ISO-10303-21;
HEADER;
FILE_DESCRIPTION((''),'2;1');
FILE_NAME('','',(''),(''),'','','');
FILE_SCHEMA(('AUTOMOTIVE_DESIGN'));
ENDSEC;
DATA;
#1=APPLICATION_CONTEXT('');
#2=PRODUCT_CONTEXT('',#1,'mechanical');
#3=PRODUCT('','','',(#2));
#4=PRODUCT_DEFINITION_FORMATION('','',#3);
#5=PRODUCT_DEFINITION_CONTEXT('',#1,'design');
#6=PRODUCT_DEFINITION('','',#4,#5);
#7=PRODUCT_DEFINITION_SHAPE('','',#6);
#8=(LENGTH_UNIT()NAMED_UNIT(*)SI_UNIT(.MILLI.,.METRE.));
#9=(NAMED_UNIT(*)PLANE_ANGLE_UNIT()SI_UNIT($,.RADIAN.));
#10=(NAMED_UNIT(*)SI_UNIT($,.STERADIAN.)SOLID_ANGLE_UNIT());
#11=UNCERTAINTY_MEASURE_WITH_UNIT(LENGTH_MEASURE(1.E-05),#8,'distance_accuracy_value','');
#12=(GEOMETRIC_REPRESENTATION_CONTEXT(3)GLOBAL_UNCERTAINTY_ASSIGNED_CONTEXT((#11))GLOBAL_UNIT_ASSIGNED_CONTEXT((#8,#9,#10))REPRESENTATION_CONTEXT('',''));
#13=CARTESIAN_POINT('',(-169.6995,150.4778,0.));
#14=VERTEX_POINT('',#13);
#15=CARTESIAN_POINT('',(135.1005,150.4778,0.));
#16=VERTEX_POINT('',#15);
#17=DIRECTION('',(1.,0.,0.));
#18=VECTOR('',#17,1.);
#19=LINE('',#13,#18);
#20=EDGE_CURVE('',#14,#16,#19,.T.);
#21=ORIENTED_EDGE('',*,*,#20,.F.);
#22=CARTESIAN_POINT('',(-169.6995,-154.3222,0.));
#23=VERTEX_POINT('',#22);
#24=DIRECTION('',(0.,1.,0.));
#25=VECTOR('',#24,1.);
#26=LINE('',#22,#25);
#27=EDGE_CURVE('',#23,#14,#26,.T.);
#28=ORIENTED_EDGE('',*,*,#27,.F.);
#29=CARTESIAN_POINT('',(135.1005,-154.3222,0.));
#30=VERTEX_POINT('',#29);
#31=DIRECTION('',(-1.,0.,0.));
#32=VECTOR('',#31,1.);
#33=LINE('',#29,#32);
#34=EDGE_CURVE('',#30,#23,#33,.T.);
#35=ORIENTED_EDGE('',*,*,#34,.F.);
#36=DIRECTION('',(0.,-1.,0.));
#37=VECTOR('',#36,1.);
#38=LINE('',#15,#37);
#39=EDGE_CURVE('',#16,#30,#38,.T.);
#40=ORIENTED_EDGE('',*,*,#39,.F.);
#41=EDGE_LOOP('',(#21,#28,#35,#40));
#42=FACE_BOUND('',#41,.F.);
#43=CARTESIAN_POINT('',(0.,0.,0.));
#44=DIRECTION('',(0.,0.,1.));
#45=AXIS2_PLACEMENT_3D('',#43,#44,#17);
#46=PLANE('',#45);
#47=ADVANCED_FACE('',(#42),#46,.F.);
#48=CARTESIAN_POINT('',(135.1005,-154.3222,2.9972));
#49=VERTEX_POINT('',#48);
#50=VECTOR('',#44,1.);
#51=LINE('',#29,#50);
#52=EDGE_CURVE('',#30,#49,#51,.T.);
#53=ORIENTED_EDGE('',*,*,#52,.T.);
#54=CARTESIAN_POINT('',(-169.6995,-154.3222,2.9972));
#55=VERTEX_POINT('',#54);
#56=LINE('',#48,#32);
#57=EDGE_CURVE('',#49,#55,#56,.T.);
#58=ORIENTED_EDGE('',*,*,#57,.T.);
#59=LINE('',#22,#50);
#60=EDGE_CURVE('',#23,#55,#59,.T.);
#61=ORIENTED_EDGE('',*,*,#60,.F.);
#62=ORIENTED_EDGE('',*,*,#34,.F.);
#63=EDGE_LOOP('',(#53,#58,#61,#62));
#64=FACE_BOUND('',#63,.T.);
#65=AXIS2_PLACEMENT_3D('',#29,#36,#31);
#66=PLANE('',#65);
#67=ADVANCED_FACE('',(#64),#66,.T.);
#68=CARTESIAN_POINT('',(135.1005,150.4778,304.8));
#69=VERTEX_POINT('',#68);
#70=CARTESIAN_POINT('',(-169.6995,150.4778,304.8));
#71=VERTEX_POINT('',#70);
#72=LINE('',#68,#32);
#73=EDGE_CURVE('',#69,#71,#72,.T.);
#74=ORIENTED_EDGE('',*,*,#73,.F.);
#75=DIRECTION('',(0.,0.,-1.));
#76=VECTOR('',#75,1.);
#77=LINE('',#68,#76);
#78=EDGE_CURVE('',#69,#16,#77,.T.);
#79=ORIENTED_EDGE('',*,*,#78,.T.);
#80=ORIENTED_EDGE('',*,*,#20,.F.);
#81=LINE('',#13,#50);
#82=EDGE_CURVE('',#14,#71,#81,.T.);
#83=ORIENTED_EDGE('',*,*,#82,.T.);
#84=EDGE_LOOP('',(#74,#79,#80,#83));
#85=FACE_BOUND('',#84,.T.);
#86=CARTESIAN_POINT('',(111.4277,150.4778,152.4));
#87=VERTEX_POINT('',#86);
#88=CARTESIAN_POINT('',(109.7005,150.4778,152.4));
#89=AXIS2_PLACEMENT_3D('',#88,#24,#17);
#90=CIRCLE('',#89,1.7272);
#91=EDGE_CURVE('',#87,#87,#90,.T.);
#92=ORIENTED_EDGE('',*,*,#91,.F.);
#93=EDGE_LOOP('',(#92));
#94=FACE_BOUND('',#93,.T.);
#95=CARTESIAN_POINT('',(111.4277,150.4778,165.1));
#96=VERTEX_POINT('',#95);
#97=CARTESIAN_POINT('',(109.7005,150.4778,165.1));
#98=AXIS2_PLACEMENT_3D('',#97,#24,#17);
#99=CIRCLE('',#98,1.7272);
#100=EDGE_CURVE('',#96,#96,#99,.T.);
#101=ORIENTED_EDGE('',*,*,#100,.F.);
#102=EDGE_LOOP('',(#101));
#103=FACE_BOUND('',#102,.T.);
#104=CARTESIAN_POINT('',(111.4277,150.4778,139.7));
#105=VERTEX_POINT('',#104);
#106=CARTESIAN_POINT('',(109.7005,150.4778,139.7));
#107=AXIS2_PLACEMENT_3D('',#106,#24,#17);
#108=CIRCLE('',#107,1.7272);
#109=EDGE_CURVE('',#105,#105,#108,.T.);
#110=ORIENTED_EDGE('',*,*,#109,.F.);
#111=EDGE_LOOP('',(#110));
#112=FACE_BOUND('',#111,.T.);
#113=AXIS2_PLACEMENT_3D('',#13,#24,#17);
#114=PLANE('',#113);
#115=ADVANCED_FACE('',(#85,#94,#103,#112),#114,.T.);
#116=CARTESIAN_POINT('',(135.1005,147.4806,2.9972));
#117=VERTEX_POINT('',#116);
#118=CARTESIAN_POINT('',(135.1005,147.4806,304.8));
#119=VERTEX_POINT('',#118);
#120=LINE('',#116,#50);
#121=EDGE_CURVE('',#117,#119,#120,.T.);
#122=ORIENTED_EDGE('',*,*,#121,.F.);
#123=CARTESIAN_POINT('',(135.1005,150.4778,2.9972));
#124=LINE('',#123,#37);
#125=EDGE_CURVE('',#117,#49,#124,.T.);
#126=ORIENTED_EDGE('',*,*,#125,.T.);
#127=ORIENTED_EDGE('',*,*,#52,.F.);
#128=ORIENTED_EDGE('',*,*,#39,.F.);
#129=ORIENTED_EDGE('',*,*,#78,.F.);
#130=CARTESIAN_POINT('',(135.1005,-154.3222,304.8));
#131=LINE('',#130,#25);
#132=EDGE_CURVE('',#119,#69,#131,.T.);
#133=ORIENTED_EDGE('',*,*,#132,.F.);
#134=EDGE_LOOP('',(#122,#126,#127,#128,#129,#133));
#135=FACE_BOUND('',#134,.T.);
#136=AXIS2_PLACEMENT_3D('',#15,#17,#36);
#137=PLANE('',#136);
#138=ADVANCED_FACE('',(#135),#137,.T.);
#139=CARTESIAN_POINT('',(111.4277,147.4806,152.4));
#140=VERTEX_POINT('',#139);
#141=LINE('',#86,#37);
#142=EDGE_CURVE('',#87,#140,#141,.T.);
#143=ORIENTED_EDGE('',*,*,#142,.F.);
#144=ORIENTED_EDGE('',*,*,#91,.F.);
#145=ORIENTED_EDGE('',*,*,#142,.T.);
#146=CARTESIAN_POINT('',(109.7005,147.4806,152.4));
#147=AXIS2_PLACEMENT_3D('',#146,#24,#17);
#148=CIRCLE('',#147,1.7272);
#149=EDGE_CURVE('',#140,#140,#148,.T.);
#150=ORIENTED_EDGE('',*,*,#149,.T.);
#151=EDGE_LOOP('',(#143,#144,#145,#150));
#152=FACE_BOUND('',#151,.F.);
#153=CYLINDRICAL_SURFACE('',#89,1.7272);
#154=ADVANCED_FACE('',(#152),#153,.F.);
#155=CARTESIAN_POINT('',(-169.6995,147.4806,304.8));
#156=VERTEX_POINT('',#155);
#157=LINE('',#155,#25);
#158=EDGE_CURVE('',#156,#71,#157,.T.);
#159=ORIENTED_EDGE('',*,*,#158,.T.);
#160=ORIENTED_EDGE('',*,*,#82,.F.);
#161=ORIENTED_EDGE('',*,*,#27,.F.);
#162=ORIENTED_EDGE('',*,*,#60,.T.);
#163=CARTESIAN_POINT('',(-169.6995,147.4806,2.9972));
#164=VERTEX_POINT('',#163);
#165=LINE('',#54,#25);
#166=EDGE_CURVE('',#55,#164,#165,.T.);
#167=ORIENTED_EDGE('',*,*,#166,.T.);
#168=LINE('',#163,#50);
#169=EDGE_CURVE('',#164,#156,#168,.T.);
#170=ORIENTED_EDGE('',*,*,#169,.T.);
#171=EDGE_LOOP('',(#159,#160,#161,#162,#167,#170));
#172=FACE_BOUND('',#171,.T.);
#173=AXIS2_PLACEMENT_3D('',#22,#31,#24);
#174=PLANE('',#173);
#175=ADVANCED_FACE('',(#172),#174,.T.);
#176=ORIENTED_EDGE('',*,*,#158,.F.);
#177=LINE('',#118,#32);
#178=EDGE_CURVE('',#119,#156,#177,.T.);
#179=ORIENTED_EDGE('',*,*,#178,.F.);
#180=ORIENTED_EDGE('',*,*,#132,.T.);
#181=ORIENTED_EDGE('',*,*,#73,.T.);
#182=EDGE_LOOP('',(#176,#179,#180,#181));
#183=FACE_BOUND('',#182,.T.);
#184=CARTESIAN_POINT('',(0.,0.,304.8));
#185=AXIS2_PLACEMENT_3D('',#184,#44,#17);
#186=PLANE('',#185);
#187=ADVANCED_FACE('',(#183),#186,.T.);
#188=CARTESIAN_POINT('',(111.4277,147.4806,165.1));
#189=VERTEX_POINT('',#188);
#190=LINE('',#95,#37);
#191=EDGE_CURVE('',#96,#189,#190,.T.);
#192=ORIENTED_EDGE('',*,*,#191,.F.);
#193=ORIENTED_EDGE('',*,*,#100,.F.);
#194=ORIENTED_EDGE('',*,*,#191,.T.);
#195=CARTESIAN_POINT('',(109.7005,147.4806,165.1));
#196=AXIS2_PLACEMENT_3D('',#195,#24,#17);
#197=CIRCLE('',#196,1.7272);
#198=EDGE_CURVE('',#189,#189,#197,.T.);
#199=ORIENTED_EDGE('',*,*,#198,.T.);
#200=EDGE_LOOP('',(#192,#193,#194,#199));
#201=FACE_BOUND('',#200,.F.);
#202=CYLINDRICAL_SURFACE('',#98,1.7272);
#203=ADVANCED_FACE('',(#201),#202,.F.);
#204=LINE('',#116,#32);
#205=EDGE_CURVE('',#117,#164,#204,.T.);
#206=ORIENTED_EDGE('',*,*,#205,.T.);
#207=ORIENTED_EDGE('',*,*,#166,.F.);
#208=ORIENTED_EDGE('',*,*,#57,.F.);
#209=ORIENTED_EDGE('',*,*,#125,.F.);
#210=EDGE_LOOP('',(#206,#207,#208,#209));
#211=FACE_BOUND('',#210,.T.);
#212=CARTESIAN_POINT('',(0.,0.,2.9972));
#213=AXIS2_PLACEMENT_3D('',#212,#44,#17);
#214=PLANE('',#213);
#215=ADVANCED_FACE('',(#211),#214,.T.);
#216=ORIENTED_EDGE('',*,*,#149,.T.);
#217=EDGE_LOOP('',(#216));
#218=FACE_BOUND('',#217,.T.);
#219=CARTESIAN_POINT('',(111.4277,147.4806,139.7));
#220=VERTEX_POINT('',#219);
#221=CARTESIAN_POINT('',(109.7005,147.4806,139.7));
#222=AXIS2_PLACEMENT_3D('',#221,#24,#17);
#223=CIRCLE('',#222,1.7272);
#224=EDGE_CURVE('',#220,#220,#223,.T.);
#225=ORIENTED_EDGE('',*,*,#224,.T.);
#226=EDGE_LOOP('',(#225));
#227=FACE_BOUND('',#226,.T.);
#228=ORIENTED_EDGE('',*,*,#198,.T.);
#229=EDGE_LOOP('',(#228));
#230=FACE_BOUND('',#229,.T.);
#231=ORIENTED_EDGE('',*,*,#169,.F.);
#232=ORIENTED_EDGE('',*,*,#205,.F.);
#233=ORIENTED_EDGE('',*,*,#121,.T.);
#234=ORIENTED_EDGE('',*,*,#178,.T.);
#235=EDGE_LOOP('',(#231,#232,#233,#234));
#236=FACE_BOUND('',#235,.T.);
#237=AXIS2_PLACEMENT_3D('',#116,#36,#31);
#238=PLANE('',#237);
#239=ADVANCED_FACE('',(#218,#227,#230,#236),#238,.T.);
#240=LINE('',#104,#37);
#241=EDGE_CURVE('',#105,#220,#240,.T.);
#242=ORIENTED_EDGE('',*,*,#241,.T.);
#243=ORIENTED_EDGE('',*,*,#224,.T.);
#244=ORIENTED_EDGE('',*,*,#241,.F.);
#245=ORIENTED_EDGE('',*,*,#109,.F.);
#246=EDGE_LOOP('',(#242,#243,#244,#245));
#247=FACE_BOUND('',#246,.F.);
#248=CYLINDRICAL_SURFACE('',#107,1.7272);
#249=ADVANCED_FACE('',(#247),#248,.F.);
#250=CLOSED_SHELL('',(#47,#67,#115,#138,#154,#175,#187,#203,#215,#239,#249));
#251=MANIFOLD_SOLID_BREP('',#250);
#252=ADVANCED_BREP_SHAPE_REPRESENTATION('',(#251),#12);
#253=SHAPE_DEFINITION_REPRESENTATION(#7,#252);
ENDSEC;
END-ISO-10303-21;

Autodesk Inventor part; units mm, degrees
ref_plane "YZ Plane" through (0, 0, 0) normal (1, 0, 0) x (0, 1, 0)
ref_plane "XZ Plane" through (0, 0, 0) normal (0, 1, 0) x (-1, 0, 0)
ref_plane "XY Plane" through (0, 0, 0) normal (0, 0, 1) x (1, 0, 0)
sketch "Sketch1" plane through (0, 0, 0) normal (0, 0, 1) x (1, 0, 0)
  line L0 (-169.6995, 150.4778) -> (135.1005, 150.4778)
  line L1 (135.1005, 150.4778) -> (135.1005, -154.3222)
  line L2 (135.1005, -154.3222) -> (-169.6995, -154.3222)
  line L3 (-169.6995, -154.3222) -> (-169.6995, 150.4778)
  point P0 (0, 0)
  dimension "d0" = 304.8
extrude "Extrusion1" add sketch "Sketch1" along normal blind 2.9972
sketch "Sketch2" plane through (0, 0, 2.9972) normal (0, 0, 1) x (1, 0, 0)
  line L0 (135.1005, 150.4778) -> (-169.6995, 150.4778) projected
  line L1 (135.1005, -154.3222) -> (135.1005, 150.4778) projected
  line L2 (-169.6995, 150.4778) -> (135.1005, 150.4778)
  line L3 (135.1005, 150.4778) -> (135.1005, 147.4806)
  line L4 (135.1005, 147.4806) -> (-169.6995, 147.4806)
  line L5 (-169.6995, 147.4806) -> (-169.6995, 150.4778)
  point P0 (0, 0)
  dimension "d3" = 2.9972
extrude "Extrusion2" add sketch "Sketch2" along normal blind 301.8028
sketch "Sketch3" plane through (-169.6995, 150.4778, 0) normal (0, 1, 0) x (1, 0, 0)
  circle A0 centre (279.4, -139.7) radius 1.7272
  circle A1 centre (279.4, -152.4) radius 1.7272
  circle A2 centre (279.4, -165.1) radius 1.7272
  line L0 (279.4, -137.0931) -> (279.4, -150.7928) construction
  line L1 (304.8, 0) -> (304.8, -304.8) projected
  line L2 (304.8, -304.8) -> (0, -304.8) projected
  point P0 (169.6995, 0)
  dimension "d6" = 3.4544
  dimension "d7" = 12.7
  dimension "d8" = 12.7
  dimension "d9" = 25.4
  dimension "d10" = 152.4
extrude "Extrusion3" cut sketch "Sketch3" against normal through all
properties part number "Frame Test for Papa John"
